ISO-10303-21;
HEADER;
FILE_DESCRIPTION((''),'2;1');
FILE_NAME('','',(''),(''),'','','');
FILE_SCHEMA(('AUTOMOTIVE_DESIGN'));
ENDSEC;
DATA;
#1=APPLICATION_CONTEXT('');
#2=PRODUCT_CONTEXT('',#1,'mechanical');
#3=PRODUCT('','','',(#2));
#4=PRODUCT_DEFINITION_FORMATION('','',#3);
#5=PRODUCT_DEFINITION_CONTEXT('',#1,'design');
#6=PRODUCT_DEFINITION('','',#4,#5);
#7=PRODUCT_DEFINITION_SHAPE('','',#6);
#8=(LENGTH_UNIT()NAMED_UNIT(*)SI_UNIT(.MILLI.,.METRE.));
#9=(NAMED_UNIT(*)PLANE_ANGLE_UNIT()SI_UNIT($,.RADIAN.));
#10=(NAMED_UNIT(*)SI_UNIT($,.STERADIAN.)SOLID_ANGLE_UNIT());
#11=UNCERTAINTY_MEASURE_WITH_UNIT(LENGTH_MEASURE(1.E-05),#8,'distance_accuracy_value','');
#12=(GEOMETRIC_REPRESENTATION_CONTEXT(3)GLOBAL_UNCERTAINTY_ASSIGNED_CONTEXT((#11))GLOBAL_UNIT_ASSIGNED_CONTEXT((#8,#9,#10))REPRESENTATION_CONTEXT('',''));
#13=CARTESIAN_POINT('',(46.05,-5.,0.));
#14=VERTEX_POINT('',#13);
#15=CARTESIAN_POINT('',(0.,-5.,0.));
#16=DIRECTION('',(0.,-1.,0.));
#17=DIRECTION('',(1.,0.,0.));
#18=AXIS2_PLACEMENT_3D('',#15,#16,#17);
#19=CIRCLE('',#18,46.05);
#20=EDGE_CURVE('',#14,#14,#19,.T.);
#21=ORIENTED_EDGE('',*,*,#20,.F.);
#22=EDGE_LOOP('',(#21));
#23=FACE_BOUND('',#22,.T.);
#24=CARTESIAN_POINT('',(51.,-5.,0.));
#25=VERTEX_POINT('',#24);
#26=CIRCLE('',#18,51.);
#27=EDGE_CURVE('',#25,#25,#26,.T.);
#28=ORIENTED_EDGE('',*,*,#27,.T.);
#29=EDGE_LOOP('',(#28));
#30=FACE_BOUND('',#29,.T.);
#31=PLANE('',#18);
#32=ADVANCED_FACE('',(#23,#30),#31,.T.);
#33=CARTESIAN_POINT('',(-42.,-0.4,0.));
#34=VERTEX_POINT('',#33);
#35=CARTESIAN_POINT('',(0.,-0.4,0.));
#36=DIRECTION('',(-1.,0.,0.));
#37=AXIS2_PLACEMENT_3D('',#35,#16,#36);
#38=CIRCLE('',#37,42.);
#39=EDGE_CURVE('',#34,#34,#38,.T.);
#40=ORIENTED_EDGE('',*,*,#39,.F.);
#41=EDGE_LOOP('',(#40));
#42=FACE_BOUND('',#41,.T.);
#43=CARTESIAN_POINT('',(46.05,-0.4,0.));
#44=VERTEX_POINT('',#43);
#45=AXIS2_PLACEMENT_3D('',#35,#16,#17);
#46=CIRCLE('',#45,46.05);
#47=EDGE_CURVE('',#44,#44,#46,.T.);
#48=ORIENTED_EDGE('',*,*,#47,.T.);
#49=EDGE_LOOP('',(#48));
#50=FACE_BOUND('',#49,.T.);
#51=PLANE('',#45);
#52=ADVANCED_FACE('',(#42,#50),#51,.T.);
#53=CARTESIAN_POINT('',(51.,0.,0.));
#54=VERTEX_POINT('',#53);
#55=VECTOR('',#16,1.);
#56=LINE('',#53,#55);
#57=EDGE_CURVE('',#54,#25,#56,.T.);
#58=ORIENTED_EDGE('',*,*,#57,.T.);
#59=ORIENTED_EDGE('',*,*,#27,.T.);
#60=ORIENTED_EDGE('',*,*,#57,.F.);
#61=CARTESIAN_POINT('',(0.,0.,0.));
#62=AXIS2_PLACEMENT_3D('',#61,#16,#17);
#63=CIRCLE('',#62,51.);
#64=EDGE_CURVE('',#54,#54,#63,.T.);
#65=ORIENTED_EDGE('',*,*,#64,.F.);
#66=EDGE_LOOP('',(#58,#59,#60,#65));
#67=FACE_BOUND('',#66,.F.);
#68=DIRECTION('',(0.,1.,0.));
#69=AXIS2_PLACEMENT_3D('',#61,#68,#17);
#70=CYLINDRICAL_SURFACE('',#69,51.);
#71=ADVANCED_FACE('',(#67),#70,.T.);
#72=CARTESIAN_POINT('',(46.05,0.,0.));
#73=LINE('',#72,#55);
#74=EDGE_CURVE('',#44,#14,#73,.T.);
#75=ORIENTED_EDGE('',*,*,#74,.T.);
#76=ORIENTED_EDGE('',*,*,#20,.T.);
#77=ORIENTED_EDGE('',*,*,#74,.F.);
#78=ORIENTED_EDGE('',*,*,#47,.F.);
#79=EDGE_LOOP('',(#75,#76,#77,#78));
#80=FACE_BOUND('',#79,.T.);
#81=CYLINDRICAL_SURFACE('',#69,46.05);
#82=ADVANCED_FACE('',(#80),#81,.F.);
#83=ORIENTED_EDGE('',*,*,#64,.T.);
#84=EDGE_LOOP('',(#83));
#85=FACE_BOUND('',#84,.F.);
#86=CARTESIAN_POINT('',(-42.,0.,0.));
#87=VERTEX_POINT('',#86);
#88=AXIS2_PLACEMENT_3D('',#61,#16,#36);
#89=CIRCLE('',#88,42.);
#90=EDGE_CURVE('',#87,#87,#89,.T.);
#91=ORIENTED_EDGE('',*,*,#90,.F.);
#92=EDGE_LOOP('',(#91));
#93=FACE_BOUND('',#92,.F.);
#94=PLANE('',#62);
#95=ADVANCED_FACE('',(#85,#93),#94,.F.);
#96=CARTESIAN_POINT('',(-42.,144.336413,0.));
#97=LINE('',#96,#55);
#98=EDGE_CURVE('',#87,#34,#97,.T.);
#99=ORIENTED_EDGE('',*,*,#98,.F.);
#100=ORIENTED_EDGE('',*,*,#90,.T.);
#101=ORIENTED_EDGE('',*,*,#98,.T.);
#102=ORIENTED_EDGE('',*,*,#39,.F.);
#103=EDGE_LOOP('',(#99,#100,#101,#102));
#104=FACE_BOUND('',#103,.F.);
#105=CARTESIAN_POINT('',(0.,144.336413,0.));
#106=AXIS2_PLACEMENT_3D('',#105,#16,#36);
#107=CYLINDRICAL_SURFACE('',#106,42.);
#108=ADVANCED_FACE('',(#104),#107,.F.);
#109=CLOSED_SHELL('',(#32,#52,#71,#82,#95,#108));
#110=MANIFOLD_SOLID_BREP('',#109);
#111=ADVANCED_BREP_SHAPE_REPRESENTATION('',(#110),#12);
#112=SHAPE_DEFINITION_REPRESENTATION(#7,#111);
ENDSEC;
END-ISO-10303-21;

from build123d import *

# Parameters (mm, degrees)
F0_R     = 51
F0_R_2   = 46.05
F1_DEPTH = 5
F2_DEPTH = 0.4
F3_D     = 84


with BuildPart() as f1:
    # F0 (on Front) → F1 (new body)
    with BuildSketch(Plane.XZ):
        Circle(F0_R)
        Circle(F0_R_2, mode=Mode.SUBTRACT)
    extrude(amount=F1_DEPTH)

    # F0 (on Front) → F2 (join)
    with BuildSketch(Plane.XZ):
        Circle(F0_R_2)
    extrude(amount=F2_DEPTH)

    # F3 (through all)
    with Locations(Plane(origin=(0, 0, 0), x_dir=(1, 0, 0), z_dir=(0, 1, 0))):
        with Locations((0, 0)):
            Hole(F3_D / 2)


solid = f1.part
